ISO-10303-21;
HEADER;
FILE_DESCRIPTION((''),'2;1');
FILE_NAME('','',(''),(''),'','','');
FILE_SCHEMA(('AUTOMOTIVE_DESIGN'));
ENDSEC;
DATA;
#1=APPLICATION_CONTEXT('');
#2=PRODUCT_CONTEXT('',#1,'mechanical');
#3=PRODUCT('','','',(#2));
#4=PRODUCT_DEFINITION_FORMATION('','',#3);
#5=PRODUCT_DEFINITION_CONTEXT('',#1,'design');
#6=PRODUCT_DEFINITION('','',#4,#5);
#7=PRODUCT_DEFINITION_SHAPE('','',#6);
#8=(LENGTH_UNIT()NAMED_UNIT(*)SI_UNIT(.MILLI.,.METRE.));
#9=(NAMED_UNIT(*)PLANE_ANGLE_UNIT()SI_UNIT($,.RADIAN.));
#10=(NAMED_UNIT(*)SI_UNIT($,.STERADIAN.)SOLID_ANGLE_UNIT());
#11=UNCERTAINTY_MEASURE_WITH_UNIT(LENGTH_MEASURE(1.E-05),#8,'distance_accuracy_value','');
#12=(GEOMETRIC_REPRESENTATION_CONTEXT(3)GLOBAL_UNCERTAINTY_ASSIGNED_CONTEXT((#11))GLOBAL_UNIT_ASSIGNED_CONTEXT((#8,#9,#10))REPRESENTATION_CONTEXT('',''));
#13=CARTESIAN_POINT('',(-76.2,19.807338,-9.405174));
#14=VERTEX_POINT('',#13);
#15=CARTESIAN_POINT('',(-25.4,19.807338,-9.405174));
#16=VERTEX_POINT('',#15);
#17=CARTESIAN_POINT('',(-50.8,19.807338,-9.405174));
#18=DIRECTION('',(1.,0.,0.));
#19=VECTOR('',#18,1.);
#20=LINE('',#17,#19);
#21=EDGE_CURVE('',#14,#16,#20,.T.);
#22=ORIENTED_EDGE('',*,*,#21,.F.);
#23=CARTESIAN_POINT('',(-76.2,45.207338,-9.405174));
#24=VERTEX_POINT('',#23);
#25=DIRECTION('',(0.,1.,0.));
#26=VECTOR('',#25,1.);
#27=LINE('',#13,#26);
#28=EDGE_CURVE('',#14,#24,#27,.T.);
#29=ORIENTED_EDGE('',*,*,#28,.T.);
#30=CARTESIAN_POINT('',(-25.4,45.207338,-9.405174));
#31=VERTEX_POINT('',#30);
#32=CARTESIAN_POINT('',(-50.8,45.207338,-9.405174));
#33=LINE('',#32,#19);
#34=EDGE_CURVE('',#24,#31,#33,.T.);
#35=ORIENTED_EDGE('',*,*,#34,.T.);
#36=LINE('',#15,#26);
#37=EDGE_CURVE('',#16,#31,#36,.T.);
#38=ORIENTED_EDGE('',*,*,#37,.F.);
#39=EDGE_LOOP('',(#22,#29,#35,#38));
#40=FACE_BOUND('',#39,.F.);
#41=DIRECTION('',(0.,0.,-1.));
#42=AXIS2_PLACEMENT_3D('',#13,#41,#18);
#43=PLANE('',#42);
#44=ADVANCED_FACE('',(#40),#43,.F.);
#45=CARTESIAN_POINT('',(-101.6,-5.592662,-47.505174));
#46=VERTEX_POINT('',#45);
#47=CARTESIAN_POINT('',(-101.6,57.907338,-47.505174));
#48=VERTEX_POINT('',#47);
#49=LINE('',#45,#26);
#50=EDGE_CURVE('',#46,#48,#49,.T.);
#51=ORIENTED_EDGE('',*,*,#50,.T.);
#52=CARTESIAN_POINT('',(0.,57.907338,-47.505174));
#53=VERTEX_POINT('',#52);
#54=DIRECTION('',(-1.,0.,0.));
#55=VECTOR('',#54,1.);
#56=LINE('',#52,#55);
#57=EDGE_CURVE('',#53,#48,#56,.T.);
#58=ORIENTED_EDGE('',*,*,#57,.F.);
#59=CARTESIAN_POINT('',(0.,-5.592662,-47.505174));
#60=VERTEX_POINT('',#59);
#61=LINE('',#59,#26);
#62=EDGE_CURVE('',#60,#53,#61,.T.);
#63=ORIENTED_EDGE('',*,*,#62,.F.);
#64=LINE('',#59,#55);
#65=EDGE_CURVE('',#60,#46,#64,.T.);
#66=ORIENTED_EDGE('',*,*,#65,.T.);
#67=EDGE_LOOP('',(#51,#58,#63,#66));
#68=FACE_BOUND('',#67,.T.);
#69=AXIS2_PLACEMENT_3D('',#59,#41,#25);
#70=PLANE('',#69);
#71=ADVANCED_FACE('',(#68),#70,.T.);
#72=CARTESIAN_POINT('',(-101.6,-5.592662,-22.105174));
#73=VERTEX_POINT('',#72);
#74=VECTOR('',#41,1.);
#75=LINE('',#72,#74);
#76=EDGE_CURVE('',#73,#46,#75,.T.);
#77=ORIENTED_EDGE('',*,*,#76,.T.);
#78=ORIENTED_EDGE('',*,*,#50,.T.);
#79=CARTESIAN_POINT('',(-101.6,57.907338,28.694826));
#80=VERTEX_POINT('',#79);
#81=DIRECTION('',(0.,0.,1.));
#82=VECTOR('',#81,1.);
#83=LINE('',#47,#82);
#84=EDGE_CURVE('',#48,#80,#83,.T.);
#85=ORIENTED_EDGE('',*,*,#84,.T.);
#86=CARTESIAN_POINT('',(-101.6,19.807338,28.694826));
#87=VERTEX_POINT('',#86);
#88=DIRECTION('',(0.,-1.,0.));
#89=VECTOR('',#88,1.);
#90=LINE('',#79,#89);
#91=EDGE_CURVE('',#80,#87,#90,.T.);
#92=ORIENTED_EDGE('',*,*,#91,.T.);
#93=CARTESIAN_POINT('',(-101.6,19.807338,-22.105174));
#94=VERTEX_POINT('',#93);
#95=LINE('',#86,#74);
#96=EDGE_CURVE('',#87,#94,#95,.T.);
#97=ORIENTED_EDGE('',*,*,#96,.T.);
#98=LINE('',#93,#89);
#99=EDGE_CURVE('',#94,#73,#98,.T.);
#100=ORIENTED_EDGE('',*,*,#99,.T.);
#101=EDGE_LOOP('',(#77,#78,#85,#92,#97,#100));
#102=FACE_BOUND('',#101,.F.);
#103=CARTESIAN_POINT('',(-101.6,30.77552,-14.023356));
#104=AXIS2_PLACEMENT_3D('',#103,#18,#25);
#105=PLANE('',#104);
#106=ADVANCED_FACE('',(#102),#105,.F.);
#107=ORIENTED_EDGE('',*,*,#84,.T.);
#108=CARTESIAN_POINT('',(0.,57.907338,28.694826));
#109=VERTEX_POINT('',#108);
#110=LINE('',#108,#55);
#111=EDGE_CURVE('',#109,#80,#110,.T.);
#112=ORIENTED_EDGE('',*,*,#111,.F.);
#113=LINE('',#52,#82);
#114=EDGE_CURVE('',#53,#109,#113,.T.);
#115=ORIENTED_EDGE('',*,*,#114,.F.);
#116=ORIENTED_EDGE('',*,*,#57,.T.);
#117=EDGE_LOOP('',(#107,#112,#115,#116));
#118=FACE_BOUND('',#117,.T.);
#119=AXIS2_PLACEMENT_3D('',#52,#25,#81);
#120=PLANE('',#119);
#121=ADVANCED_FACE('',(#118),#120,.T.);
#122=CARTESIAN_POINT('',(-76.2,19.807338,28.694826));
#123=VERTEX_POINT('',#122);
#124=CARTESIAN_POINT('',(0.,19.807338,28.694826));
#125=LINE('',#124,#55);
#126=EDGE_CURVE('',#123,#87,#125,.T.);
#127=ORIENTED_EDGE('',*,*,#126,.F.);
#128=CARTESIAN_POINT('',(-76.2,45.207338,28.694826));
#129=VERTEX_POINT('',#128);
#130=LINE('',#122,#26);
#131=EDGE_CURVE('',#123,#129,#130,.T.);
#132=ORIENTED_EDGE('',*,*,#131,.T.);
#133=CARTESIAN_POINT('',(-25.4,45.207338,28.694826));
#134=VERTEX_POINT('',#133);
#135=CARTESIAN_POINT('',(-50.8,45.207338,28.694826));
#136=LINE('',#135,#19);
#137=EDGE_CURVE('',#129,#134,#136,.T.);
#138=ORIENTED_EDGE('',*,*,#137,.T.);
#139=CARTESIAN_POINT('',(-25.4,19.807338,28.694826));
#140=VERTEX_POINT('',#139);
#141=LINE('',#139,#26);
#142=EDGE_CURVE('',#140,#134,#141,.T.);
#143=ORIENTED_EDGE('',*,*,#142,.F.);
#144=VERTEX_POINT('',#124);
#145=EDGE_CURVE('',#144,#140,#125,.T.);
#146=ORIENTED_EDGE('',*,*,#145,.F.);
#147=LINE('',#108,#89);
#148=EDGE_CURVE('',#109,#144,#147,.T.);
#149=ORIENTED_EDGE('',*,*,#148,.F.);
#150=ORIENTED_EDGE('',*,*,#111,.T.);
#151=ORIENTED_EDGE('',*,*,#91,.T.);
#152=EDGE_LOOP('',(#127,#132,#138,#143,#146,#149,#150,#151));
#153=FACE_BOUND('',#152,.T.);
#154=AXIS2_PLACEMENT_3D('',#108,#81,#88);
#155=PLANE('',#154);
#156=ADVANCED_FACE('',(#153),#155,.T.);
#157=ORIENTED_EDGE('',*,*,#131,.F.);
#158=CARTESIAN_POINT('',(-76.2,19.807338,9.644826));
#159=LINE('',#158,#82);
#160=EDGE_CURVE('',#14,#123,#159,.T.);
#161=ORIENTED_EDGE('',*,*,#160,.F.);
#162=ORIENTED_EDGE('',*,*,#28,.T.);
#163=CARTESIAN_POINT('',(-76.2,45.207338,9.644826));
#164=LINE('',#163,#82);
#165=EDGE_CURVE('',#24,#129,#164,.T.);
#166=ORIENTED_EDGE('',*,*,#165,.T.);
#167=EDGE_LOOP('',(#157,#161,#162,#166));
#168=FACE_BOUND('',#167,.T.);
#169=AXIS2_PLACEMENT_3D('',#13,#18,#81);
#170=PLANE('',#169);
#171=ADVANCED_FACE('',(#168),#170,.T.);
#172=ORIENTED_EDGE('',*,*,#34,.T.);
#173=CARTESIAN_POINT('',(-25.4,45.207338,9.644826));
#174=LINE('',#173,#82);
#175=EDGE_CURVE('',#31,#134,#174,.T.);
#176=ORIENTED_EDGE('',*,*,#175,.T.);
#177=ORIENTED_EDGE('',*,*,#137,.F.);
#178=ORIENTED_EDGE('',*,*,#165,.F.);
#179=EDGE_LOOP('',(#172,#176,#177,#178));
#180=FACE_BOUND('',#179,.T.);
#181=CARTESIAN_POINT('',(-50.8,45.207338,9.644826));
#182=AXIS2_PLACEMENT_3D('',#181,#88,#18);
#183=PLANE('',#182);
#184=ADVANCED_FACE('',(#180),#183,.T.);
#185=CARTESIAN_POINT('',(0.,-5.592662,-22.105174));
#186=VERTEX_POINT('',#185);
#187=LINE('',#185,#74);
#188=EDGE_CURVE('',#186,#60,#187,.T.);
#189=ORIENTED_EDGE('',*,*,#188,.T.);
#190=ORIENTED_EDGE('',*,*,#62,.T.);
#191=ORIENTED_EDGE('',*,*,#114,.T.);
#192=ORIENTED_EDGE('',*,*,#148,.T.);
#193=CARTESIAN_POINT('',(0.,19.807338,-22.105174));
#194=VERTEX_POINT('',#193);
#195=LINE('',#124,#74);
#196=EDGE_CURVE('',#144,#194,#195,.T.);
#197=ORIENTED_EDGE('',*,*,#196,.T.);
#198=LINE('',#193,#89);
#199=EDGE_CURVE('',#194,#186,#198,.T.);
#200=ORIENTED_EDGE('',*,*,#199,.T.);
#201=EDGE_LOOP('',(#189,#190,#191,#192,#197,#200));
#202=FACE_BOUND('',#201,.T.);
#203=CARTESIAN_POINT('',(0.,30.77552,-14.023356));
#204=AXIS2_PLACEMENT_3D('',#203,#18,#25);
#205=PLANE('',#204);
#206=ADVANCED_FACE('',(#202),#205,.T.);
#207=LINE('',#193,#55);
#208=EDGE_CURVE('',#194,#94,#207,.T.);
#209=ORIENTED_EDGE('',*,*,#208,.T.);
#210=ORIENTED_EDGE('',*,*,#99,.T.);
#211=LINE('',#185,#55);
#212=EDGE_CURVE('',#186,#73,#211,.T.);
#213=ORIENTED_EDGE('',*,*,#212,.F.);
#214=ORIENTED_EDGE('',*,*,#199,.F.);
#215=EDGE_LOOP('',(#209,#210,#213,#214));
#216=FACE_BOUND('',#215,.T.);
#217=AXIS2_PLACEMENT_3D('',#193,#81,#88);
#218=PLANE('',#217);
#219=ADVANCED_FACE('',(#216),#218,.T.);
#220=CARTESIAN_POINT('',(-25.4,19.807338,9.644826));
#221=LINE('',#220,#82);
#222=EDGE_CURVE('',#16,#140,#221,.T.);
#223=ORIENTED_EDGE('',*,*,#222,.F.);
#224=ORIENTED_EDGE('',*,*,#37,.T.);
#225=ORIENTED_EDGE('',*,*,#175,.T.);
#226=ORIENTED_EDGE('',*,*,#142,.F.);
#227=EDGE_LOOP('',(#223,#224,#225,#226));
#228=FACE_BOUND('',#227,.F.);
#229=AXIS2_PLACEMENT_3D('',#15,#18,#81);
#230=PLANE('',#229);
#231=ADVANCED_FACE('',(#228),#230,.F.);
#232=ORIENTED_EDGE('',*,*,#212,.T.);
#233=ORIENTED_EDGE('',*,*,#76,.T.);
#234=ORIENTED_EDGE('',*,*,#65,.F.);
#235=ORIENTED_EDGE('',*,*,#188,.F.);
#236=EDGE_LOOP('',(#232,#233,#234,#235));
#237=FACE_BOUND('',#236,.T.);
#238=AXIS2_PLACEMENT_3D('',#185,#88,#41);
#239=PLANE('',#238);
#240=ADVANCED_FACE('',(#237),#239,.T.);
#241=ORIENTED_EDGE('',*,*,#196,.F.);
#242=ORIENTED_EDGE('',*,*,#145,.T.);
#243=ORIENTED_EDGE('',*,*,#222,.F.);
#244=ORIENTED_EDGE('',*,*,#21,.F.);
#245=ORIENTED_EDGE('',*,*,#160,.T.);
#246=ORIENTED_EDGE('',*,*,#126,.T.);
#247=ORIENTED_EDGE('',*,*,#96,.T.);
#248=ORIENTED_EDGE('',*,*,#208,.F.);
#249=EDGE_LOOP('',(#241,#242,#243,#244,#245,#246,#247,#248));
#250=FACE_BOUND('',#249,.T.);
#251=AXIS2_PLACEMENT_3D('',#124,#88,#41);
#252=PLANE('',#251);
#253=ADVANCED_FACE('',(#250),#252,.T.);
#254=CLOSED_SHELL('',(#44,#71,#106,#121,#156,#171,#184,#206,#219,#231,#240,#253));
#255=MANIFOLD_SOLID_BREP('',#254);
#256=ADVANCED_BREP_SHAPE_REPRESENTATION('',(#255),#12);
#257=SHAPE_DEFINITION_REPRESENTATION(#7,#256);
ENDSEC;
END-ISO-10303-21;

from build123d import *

# Parameters (mm, degrees)
F1_DEPTH = 101.6
F2_W     = 50.8
F2_H     = 38.1
F3_DEPTH = 25.4


with BuildPart() as f1:
    # F0 (on Right) → F1 (new body)
    with BuildSketch(Plane.YZ):
        Polygon((57.907338, -47.505174), (57.907338, 28.694826), (19.807338, 28.694826), (19.807338, -22.105174), (-5.592662, -22.105174), (-5.592662, -47.505174), align=None)
    extrude(amount=-F1_DEPTH)

    # F2 (on face) → F3 (cut)
    with BuildSketch(Plane.XZ.offset(-19.807338)):
        with Locations((-50.8, 9.644826)):
            Rectangle(F2_W, F2_H)
    extrude(amount=-F3_DEPTH, mode=Mode.SUBTRACT)


solid = f1.part
